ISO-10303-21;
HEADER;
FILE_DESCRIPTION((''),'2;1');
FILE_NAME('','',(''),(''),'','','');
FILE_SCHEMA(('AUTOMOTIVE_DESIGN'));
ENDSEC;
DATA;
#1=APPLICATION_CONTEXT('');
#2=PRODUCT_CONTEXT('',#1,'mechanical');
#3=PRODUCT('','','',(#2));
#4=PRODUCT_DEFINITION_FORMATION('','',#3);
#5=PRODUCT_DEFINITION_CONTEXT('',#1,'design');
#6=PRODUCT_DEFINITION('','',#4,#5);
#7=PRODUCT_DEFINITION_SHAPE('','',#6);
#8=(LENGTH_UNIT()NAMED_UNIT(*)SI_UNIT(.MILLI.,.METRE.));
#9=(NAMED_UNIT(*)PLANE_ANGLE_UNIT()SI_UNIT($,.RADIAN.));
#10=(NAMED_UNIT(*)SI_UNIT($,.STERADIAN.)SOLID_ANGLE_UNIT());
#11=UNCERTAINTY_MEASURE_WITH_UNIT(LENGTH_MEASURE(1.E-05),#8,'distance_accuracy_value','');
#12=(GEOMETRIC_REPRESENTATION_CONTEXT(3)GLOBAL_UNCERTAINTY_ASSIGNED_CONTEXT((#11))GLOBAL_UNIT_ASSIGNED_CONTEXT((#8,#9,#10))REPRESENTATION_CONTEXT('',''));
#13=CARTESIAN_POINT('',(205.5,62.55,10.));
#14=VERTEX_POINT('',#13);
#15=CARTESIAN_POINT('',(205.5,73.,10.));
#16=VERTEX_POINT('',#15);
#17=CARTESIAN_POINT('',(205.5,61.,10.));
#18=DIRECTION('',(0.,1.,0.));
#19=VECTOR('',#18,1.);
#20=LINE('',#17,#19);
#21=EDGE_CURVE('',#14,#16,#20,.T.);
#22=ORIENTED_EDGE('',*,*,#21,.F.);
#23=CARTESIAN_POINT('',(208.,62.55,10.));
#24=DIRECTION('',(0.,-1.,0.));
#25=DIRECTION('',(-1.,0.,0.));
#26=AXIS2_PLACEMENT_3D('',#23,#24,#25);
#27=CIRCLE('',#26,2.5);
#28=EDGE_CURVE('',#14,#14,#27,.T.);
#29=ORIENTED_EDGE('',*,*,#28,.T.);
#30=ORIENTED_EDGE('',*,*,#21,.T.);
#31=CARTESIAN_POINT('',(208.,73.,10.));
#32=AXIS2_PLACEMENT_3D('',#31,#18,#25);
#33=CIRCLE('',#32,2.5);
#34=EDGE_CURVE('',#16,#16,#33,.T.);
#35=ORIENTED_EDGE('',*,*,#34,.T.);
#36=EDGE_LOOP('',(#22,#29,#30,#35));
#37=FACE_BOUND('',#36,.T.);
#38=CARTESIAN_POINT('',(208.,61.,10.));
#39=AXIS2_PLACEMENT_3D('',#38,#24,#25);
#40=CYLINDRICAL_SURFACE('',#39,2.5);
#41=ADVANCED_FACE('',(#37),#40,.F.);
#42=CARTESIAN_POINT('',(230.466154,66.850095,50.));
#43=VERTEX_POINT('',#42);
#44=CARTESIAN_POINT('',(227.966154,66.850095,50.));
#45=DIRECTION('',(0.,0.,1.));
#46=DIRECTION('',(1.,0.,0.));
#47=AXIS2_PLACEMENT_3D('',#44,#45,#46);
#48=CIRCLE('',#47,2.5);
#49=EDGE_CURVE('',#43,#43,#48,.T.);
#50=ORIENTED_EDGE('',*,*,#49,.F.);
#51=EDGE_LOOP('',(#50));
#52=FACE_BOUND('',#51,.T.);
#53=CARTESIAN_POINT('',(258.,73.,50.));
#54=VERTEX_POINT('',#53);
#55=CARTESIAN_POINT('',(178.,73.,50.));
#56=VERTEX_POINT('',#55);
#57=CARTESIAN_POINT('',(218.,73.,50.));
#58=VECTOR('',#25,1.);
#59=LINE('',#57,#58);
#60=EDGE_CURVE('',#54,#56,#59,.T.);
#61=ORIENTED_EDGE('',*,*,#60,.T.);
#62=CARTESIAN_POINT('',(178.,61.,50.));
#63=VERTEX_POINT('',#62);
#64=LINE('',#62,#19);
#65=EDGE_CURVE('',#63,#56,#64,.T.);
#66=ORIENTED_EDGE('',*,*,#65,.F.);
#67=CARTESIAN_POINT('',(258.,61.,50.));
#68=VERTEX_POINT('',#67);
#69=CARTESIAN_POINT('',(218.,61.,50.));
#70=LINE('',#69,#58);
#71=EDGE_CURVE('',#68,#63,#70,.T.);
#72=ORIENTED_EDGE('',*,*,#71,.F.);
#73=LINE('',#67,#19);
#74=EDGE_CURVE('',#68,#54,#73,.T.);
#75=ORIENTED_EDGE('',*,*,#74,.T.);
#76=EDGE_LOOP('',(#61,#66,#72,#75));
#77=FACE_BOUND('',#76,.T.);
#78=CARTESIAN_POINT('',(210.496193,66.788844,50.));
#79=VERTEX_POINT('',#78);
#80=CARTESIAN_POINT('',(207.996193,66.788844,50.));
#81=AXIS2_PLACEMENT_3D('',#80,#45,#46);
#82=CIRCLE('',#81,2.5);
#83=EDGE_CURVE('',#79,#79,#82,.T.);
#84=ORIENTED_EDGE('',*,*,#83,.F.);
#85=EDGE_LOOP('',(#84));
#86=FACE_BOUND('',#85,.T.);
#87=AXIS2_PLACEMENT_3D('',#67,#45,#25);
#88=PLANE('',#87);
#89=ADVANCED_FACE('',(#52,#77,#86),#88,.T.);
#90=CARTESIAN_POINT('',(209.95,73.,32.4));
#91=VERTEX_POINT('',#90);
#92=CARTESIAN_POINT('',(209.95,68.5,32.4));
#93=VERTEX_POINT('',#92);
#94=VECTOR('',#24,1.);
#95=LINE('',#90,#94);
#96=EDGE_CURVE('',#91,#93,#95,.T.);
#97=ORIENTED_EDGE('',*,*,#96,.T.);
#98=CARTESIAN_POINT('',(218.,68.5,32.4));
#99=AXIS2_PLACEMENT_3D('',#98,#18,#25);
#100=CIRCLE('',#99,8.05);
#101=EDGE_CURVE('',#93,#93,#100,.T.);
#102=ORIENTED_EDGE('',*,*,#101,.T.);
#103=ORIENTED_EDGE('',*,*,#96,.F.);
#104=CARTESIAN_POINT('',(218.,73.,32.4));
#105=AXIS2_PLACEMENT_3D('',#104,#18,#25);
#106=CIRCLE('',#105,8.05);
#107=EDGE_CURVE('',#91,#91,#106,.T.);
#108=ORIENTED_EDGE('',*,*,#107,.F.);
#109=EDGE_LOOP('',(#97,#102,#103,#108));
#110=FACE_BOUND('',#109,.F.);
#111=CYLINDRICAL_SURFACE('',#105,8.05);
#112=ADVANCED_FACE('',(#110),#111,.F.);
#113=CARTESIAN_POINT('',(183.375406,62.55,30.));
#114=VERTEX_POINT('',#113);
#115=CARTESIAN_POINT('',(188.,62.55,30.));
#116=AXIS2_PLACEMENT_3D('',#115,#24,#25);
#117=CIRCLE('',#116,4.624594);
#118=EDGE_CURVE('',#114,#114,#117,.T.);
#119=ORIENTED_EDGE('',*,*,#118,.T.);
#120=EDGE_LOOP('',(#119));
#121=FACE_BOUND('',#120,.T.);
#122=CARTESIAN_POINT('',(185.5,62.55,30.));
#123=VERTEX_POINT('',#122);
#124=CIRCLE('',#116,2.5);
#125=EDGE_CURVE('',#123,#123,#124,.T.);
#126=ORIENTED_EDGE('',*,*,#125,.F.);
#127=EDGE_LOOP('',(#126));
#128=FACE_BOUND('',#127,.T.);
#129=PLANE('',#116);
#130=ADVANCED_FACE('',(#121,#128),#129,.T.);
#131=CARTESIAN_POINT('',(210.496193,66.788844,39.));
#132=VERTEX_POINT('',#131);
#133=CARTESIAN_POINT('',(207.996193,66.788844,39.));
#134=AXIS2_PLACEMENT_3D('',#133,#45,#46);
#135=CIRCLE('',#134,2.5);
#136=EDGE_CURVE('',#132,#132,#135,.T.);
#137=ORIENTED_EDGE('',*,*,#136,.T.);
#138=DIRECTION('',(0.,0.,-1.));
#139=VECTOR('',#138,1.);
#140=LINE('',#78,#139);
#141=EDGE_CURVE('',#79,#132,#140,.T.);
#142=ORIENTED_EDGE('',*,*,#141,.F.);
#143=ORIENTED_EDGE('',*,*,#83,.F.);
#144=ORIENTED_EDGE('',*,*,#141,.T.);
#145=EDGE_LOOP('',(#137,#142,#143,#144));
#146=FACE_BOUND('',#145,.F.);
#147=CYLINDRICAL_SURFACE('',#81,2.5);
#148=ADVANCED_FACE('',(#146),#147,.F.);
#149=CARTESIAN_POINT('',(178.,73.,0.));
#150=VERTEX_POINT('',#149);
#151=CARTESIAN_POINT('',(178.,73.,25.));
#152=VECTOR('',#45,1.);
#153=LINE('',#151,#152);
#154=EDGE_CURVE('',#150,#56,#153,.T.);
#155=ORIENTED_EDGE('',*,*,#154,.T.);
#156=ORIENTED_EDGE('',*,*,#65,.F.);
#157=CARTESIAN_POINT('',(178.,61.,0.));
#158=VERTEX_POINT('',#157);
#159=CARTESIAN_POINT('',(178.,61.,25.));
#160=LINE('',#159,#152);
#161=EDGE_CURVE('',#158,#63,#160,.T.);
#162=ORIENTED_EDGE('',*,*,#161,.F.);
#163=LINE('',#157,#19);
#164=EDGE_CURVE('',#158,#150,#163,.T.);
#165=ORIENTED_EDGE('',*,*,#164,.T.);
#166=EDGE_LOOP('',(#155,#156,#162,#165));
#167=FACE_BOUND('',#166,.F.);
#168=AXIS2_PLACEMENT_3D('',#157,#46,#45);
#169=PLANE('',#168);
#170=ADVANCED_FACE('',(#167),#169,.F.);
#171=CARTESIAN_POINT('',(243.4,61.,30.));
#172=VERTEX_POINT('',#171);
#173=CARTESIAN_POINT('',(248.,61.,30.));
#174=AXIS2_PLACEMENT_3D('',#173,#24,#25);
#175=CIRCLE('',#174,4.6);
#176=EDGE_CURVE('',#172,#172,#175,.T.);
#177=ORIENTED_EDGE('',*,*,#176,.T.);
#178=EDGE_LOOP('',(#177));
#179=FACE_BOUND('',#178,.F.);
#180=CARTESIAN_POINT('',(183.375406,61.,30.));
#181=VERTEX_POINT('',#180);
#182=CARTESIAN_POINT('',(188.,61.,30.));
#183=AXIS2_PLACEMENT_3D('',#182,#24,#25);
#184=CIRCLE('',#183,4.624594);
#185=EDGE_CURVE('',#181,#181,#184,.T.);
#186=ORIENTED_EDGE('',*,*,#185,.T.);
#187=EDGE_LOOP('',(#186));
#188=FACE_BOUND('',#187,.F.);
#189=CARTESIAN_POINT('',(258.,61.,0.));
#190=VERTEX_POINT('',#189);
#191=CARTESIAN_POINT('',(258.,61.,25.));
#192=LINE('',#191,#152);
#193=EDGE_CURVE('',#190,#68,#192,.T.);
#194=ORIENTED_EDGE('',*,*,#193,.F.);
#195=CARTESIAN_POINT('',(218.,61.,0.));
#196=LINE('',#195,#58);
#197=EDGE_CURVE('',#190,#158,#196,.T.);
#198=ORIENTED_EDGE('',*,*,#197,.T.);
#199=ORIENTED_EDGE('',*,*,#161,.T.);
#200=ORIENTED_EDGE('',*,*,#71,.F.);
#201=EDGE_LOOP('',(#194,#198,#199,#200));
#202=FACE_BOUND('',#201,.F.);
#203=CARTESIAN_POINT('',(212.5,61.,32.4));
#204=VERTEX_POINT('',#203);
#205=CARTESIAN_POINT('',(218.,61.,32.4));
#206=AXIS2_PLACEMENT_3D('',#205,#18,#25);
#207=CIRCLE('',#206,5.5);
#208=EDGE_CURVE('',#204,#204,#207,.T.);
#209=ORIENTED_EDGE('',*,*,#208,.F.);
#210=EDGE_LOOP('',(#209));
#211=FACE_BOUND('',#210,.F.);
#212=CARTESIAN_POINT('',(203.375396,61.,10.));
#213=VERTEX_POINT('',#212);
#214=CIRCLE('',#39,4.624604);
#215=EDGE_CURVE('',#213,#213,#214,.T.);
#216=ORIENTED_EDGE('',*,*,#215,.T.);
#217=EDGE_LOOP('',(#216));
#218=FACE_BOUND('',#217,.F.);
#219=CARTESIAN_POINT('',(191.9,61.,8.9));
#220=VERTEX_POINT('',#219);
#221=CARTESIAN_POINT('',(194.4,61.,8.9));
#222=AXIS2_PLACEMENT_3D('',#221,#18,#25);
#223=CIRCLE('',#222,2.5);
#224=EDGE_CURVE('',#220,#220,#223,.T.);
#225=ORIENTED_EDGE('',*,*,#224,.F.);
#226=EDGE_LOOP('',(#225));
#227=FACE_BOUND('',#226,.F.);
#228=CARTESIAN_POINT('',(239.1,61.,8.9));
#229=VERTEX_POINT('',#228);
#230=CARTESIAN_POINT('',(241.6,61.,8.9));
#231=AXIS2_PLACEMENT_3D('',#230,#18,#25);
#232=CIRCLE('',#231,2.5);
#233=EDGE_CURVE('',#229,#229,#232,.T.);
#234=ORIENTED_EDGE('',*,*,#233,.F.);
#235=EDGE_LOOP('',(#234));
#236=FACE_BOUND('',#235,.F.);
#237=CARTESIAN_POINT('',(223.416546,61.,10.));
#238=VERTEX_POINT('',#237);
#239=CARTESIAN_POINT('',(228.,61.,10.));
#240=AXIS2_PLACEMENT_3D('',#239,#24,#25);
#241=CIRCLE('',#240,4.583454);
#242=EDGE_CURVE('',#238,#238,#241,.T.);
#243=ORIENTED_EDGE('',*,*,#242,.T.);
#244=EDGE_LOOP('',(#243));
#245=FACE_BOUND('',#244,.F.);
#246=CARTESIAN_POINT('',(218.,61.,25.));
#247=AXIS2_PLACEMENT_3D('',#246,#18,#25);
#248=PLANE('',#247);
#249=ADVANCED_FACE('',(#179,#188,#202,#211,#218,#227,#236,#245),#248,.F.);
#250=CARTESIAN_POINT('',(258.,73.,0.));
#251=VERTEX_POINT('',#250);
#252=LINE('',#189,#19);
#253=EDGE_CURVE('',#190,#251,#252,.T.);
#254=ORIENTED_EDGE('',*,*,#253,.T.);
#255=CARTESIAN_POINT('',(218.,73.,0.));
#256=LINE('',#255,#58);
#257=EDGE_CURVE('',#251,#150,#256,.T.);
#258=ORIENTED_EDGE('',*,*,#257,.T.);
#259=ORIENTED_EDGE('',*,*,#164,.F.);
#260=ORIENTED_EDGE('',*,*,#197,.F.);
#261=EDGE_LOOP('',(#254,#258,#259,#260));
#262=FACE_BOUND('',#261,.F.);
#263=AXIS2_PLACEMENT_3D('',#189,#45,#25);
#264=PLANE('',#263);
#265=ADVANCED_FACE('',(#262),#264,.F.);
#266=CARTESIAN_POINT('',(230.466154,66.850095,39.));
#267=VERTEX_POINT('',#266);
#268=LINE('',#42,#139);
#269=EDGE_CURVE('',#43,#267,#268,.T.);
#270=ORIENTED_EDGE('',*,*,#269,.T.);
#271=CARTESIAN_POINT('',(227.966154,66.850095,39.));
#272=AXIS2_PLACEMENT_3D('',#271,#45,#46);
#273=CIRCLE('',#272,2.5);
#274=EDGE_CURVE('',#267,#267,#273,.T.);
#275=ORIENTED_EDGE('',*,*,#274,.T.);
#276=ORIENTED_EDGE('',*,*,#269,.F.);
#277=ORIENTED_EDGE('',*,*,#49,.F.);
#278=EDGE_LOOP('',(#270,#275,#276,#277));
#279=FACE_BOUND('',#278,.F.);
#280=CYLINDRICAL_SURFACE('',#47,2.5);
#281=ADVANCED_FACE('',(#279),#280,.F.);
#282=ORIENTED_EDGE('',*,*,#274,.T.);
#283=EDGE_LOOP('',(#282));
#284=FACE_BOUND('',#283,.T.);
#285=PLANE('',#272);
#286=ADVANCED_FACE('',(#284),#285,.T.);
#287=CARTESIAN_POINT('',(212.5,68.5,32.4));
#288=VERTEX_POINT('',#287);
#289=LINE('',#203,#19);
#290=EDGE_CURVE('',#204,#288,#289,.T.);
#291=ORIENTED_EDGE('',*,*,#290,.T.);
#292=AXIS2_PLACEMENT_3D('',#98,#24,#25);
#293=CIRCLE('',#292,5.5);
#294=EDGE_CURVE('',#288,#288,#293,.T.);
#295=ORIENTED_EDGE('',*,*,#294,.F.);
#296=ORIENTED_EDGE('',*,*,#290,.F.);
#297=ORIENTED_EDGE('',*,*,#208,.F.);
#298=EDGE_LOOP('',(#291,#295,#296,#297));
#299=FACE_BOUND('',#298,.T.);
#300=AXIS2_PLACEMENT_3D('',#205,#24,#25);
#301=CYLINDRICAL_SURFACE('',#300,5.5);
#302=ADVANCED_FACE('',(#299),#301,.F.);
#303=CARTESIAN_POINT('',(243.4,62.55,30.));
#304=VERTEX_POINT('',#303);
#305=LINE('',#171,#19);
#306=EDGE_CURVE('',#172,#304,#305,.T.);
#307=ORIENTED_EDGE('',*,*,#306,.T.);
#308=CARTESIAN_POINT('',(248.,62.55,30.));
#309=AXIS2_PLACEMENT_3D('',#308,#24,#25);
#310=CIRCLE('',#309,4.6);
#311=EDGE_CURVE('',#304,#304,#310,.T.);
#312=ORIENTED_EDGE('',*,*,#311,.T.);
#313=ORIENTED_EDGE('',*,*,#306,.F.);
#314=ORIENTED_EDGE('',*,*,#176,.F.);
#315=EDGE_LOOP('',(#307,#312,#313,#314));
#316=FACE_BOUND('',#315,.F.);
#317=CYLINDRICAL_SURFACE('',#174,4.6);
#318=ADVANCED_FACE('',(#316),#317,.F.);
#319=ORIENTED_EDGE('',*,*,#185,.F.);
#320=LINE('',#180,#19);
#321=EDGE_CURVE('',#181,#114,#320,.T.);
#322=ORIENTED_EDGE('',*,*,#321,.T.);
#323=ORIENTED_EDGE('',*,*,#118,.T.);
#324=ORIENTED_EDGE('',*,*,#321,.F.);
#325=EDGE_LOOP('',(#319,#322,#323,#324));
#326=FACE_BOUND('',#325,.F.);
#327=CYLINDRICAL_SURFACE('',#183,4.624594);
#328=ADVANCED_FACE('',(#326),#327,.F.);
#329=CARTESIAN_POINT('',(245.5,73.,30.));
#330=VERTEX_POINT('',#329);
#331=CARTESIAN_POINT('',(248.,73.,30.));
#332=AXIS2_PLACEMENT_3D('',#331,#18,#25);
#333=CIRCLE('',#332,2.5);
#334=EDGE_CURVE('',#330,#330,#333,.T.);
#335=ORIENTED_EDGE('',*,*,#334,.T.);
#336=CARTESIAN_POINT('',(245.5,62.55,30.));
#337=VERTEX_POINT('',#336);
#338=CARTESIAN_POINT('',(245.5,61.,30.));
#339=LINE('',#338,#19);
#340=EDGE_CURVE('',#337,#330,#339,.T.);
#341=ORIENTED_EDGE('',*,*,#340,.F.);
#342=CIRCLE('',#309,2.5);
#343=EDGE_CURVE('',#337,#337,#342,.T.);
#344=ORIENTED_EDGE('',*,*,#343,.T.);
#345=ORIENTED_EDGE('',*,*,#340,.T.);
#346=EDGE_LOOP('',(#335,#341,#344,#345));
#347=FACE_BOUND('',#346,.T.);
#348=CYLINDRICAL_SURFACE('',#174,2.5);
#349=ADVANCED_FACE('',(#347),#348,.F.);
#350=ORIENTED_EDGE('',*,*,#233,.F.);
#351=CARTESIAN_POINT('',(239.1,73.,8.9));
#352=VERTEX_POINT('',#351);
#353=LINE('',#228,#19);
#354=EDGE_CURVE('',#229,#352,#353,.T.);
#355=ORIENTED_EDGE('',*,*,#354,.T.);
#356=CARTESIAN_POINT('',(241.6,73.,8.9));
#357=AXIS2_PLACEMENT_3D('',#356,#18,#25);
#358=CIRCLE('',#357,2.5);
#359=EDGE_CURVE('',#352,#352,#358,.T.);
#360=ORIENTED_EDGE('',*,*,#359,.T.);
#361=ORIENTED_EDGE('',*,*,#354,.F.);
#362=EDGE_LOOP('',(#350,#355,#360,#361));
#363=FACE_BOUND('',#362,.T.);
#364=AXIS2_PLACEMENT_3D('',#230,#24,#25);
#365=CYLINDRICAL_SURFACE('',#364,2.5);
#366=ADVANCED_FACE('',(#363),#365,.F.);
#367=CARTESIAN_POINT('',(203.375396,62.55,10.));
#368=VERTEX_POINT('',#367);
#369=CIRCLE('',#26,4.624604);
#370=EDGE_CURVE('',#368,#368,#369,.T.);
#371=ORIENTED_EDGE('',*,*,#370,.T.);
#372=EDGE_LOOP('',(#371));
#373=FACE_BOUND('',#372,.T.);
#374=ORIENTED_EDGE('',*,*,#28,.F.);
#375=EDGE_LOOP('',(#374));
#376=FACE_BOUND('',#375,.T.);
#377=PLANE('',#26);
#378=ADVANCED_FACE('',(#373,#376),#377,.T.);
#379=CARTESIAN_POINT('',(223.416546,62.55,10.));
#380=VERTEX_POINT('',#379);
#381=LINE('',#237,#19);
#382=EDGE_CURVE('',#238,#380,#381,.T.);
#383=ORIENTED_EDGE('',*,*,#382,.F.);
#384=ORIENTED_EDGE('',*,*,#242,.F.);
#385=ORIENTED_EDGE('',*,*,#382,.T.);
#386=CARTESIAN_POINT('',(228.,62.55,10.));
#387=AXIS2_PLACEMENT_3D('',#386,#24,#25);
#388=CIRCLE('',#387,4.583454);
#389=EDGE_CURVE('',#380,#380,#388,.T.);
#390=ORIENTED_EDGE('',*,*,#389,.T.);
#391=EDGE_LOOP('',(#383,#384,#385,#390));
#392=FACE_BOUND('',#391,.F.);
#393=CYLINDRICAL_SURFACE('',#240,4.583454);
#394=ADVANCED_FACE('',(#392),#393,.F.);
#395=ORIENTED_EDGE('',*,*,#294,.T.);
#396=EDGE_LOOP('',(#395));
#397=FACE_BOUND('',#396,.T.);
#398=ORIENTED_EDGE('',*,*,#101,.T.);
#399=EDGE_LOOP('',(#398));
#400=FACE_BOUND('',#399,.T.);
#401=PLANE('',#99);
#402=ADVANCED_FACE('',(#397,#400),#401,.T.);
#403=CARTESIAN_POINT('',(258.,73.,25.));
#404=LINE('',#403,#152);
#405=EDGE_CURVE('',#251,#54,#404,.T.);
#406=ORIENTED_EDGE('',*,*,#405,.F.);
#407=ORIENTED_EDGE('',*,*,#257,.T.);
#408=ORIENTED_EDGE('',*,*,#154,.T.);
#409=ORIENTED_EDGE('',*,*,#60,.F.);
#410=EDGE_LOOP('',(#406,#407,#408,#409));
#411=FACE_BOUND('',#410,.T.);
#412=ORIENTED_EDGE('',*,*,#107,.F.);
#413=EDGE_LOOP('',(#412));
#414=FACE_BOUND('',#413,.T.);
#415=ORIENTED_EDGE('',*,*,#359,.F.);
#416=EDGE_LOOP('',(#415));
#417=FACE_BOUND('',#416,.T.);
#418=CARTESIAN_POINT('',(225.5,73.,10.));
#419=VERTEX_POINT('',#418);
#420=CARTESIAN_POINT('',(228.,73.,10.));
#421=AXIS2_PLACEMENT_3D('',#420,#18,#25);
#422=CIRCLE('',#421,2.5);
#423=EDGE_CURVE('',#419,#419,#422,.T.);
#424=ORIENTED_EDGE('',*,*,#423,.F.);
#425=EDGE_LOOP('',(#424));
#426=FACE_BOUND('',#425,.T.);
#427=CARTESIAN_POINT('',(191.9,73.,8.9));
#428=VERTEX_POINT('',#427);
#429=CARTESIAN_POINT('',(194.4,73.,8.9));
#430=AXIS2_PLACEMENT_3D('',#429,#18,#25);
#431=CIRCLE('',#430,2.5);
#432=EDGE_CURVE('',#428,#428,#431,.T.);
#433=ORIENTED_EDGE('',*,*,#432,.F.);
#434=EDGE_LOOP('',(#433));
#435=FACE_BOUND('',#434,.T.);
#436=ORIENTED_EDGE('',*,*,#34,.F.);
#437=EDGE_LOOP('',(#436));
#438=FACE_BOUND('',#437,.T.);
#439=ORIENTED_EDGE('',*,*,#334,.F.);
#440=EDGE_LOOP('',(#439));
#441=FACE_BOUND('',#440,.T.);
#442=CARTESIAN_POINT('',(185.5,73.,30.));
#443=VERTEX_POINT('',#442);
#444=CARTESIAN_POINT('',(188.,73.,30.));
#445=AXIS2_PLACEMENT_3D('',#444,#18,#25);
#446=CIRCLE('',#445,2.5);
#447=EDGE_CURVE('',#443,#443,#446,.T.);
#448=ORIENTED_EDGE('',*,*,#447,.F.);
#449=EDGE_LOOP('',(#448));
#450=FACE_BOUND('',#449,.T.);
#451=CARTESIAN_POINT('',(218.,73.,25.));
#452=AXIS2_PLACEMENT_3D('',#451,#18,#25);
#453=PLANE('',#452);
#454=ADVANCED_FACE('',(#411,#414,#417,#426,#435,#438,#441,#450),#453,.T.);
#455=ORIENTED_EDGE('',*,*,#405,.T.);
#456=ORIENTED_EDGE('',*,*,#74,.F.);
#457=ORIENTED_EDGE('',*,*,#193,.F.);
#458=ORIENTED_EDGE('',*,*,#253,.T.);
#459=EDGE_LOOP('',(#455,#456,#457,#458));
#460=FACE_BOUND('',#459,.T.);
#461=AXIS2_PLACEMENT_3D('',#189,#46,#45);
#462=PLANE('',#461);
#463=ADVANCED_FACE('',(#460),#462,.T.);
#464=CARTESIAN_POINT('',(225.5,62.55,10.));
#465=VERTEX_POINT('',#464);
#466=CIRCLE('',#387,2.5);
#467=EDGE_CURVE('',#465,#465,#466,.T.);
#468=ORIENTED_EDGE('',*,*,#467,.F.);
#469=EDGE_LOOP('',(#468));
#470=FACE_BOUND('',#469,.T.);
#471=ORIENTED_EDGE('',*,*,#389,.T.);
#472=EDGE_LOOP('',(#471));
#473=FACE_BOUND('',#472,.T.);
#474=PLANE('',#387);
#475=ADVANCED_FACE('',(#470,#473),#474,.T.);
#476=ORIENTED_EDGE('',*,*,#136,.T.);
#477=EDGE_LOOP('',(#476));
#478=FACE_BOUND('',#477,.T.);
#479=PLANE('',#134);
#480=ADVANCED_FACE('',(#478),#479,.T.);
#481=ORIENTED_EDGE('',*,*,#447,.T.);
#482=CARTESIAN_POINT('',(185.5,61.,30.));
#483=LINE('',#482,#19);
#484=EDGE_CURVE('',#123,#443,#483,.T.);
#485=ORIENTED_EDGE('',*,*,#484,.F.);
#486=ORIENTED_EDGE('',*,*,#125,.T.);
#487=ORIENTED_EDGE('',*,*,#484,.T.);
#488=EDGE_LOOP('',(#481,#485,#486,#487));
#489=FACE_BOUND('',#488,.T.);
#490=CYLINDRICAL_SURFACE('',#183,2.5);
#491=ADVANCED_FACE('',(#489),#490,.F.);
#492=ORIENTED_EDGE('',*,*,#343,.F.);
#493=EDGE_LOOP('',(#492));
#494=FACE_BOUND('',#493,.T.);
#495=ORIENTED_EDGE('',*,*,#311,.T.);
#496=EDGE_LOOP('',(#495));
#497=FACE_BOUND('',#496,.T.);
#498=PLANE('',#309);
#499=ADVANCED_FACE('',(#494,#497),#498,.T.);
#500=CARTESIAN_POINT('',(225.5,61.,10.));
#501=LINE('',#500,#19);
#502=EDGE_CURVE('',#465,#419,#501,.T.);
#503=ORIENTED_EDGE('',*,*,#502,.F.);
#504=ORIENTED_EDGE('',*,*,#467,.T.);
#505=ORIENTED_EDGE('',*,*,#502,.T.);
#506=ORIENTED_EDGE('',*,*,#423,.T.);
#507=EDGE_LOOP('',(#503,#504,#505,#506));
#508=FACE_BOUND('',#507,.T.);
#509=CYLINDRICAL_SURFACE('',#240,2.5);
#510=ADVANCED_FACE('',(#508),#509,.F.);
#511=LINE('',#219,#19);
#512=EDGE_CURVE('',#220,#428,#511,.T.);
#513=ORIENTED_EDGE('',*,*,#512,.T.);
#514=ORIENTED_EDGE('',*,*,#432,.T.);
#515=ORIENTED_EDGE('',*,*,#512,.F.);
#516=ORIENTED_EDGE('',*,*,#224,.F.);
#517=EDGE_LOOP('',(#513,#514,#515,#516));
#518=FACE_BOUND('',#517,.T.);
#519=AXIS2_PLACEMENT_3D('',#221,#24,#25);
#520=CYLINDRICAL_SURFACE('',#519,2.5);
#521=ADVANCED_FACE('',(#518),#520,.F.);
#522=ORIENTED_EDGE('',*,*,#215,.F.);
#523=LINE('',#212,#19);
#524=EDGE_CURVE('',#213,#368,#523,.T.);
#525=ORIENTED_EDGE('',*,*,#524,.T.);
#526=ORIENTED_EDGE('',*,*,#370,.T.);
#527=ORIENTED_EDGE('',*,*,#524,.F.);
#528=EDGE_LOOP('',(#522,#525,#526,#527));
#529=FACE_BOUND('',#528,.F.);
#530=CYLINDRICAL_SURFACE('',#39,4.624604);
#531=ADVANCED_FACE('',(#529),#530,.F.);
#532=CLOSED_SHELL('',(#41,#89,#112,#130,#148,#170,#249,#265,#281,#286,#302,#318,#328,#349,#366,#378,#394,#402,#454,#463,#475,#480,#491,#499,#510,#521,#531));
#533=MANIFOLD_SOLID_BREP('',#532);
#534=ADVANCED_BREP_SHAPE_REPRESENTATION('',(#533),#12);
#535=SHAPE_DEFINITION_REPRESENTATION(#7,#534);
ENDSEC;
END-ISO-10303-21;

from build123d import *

# Parameters (mm, degrees)
SKETCH019_W     = 80
SKETCH019_H     = 50
SKETCH019_R     = 2.5
SKETCH019_R_2   = 5.5
PAD004_DEPTH    = 12
SKETCH020_R     = 2.5
POCKET012_DEPTH = 11
SKETCH021_R     = 8.05
POCKET013_DEPTH = 4.5
SKETCH022_R     = 4.6
SKETCH022_R_2   = 4.624594
SKETCH022_R_3   = 4.583454
SKETCH022_R_4   = 4.624604
POCKET014_DEPTH = 1.55


with BuildPart() as part:
    # Sketch019 → Pad004 (new body)
    with BuildSketch(Plane(origin=(258, 61, 0), x_dir=(-1, 0, 0), z_dir=(0, 1, 0))):
        with Locations((40, 25)):
            Rectangle(SKETCH019_W, SKETCH019_H)
        with Locations((10, 30)):
            Circle(SKETCH019_R, mode=Mode.SUBTRACT)
        with Locations((30, 10)):
            Circle(SKETCH019_R, mode=Mode.SUBTRACT)
        with Locations((16.4, 8.9)):
            Circle(SKETCH019_R, mode=Mode.SUBTRACT)
        with Locations((50, 10)):
            Circle(SKETCH019_R, mode=Mode.SUBTRACT)
        with Locations((63.6, 8.9)):
            Circle(SKETCH019_R, mode=Mode.SUBTRACT)
        with Locations((70, 30)):
            Circle(SKETCH019_R, mode=Mode.SUBTRACT)
        with Locations((40, 32.4)):
            Circle(SKETCH019_R_2, mode=Mode.SUBTRACT)
    extrude(amount=PAD004_DEPTH)

    # Sketch020 → Pocket012 (cut)
    with BuildSketch(Plane(origin=(258, 61, 50), x_dir=(1, 0, 0), z_dir=(0, 0, 1))):
        with Locations((-30.033846, 5.850095)):
            Circle(SKETCH020_R)
        with Locations((-50.003807, 5.788844)):
            Circle(SKETCH020_R)
    extrude(amount=-POCKET012_DEPTH, mode=Mode.SUBTRACT)

    # Sketch021 → Pocket013 (cut)
    with BuildSketch(Plane(origin=(258, 73, 0), x_dir=(-1, 0, 0), z_dir=(0, 1, 0))):
        with Locations((40, 32.4)):
            Circle(SKETCH021_R)
    extrude(amount=-POCKET013_DEPTH, mode=Mode.SUBTRACT)

    # Sketch022 → Pocket014 (cut)
    with BuildSketch(Plane(origin=(258, 61, 0), x_dir=(-1, 0, 0), z_dir=(0, -1, 0))):
        with Locations((10, -30)):
            Circle(SKETCH022_R)
        with Locations((70, -30)):
            Circle(SKETCH022_R_2)
        with Locations((30, -10)):
            Circle(SKETCH022_R_3)
        with Locations((50, -10)):
            Circle(SKETCH022_R_4)
    extrude(amount=-POCKET014_DEPTH, mode=Mode.SUBTRACT)


solid = part.part
